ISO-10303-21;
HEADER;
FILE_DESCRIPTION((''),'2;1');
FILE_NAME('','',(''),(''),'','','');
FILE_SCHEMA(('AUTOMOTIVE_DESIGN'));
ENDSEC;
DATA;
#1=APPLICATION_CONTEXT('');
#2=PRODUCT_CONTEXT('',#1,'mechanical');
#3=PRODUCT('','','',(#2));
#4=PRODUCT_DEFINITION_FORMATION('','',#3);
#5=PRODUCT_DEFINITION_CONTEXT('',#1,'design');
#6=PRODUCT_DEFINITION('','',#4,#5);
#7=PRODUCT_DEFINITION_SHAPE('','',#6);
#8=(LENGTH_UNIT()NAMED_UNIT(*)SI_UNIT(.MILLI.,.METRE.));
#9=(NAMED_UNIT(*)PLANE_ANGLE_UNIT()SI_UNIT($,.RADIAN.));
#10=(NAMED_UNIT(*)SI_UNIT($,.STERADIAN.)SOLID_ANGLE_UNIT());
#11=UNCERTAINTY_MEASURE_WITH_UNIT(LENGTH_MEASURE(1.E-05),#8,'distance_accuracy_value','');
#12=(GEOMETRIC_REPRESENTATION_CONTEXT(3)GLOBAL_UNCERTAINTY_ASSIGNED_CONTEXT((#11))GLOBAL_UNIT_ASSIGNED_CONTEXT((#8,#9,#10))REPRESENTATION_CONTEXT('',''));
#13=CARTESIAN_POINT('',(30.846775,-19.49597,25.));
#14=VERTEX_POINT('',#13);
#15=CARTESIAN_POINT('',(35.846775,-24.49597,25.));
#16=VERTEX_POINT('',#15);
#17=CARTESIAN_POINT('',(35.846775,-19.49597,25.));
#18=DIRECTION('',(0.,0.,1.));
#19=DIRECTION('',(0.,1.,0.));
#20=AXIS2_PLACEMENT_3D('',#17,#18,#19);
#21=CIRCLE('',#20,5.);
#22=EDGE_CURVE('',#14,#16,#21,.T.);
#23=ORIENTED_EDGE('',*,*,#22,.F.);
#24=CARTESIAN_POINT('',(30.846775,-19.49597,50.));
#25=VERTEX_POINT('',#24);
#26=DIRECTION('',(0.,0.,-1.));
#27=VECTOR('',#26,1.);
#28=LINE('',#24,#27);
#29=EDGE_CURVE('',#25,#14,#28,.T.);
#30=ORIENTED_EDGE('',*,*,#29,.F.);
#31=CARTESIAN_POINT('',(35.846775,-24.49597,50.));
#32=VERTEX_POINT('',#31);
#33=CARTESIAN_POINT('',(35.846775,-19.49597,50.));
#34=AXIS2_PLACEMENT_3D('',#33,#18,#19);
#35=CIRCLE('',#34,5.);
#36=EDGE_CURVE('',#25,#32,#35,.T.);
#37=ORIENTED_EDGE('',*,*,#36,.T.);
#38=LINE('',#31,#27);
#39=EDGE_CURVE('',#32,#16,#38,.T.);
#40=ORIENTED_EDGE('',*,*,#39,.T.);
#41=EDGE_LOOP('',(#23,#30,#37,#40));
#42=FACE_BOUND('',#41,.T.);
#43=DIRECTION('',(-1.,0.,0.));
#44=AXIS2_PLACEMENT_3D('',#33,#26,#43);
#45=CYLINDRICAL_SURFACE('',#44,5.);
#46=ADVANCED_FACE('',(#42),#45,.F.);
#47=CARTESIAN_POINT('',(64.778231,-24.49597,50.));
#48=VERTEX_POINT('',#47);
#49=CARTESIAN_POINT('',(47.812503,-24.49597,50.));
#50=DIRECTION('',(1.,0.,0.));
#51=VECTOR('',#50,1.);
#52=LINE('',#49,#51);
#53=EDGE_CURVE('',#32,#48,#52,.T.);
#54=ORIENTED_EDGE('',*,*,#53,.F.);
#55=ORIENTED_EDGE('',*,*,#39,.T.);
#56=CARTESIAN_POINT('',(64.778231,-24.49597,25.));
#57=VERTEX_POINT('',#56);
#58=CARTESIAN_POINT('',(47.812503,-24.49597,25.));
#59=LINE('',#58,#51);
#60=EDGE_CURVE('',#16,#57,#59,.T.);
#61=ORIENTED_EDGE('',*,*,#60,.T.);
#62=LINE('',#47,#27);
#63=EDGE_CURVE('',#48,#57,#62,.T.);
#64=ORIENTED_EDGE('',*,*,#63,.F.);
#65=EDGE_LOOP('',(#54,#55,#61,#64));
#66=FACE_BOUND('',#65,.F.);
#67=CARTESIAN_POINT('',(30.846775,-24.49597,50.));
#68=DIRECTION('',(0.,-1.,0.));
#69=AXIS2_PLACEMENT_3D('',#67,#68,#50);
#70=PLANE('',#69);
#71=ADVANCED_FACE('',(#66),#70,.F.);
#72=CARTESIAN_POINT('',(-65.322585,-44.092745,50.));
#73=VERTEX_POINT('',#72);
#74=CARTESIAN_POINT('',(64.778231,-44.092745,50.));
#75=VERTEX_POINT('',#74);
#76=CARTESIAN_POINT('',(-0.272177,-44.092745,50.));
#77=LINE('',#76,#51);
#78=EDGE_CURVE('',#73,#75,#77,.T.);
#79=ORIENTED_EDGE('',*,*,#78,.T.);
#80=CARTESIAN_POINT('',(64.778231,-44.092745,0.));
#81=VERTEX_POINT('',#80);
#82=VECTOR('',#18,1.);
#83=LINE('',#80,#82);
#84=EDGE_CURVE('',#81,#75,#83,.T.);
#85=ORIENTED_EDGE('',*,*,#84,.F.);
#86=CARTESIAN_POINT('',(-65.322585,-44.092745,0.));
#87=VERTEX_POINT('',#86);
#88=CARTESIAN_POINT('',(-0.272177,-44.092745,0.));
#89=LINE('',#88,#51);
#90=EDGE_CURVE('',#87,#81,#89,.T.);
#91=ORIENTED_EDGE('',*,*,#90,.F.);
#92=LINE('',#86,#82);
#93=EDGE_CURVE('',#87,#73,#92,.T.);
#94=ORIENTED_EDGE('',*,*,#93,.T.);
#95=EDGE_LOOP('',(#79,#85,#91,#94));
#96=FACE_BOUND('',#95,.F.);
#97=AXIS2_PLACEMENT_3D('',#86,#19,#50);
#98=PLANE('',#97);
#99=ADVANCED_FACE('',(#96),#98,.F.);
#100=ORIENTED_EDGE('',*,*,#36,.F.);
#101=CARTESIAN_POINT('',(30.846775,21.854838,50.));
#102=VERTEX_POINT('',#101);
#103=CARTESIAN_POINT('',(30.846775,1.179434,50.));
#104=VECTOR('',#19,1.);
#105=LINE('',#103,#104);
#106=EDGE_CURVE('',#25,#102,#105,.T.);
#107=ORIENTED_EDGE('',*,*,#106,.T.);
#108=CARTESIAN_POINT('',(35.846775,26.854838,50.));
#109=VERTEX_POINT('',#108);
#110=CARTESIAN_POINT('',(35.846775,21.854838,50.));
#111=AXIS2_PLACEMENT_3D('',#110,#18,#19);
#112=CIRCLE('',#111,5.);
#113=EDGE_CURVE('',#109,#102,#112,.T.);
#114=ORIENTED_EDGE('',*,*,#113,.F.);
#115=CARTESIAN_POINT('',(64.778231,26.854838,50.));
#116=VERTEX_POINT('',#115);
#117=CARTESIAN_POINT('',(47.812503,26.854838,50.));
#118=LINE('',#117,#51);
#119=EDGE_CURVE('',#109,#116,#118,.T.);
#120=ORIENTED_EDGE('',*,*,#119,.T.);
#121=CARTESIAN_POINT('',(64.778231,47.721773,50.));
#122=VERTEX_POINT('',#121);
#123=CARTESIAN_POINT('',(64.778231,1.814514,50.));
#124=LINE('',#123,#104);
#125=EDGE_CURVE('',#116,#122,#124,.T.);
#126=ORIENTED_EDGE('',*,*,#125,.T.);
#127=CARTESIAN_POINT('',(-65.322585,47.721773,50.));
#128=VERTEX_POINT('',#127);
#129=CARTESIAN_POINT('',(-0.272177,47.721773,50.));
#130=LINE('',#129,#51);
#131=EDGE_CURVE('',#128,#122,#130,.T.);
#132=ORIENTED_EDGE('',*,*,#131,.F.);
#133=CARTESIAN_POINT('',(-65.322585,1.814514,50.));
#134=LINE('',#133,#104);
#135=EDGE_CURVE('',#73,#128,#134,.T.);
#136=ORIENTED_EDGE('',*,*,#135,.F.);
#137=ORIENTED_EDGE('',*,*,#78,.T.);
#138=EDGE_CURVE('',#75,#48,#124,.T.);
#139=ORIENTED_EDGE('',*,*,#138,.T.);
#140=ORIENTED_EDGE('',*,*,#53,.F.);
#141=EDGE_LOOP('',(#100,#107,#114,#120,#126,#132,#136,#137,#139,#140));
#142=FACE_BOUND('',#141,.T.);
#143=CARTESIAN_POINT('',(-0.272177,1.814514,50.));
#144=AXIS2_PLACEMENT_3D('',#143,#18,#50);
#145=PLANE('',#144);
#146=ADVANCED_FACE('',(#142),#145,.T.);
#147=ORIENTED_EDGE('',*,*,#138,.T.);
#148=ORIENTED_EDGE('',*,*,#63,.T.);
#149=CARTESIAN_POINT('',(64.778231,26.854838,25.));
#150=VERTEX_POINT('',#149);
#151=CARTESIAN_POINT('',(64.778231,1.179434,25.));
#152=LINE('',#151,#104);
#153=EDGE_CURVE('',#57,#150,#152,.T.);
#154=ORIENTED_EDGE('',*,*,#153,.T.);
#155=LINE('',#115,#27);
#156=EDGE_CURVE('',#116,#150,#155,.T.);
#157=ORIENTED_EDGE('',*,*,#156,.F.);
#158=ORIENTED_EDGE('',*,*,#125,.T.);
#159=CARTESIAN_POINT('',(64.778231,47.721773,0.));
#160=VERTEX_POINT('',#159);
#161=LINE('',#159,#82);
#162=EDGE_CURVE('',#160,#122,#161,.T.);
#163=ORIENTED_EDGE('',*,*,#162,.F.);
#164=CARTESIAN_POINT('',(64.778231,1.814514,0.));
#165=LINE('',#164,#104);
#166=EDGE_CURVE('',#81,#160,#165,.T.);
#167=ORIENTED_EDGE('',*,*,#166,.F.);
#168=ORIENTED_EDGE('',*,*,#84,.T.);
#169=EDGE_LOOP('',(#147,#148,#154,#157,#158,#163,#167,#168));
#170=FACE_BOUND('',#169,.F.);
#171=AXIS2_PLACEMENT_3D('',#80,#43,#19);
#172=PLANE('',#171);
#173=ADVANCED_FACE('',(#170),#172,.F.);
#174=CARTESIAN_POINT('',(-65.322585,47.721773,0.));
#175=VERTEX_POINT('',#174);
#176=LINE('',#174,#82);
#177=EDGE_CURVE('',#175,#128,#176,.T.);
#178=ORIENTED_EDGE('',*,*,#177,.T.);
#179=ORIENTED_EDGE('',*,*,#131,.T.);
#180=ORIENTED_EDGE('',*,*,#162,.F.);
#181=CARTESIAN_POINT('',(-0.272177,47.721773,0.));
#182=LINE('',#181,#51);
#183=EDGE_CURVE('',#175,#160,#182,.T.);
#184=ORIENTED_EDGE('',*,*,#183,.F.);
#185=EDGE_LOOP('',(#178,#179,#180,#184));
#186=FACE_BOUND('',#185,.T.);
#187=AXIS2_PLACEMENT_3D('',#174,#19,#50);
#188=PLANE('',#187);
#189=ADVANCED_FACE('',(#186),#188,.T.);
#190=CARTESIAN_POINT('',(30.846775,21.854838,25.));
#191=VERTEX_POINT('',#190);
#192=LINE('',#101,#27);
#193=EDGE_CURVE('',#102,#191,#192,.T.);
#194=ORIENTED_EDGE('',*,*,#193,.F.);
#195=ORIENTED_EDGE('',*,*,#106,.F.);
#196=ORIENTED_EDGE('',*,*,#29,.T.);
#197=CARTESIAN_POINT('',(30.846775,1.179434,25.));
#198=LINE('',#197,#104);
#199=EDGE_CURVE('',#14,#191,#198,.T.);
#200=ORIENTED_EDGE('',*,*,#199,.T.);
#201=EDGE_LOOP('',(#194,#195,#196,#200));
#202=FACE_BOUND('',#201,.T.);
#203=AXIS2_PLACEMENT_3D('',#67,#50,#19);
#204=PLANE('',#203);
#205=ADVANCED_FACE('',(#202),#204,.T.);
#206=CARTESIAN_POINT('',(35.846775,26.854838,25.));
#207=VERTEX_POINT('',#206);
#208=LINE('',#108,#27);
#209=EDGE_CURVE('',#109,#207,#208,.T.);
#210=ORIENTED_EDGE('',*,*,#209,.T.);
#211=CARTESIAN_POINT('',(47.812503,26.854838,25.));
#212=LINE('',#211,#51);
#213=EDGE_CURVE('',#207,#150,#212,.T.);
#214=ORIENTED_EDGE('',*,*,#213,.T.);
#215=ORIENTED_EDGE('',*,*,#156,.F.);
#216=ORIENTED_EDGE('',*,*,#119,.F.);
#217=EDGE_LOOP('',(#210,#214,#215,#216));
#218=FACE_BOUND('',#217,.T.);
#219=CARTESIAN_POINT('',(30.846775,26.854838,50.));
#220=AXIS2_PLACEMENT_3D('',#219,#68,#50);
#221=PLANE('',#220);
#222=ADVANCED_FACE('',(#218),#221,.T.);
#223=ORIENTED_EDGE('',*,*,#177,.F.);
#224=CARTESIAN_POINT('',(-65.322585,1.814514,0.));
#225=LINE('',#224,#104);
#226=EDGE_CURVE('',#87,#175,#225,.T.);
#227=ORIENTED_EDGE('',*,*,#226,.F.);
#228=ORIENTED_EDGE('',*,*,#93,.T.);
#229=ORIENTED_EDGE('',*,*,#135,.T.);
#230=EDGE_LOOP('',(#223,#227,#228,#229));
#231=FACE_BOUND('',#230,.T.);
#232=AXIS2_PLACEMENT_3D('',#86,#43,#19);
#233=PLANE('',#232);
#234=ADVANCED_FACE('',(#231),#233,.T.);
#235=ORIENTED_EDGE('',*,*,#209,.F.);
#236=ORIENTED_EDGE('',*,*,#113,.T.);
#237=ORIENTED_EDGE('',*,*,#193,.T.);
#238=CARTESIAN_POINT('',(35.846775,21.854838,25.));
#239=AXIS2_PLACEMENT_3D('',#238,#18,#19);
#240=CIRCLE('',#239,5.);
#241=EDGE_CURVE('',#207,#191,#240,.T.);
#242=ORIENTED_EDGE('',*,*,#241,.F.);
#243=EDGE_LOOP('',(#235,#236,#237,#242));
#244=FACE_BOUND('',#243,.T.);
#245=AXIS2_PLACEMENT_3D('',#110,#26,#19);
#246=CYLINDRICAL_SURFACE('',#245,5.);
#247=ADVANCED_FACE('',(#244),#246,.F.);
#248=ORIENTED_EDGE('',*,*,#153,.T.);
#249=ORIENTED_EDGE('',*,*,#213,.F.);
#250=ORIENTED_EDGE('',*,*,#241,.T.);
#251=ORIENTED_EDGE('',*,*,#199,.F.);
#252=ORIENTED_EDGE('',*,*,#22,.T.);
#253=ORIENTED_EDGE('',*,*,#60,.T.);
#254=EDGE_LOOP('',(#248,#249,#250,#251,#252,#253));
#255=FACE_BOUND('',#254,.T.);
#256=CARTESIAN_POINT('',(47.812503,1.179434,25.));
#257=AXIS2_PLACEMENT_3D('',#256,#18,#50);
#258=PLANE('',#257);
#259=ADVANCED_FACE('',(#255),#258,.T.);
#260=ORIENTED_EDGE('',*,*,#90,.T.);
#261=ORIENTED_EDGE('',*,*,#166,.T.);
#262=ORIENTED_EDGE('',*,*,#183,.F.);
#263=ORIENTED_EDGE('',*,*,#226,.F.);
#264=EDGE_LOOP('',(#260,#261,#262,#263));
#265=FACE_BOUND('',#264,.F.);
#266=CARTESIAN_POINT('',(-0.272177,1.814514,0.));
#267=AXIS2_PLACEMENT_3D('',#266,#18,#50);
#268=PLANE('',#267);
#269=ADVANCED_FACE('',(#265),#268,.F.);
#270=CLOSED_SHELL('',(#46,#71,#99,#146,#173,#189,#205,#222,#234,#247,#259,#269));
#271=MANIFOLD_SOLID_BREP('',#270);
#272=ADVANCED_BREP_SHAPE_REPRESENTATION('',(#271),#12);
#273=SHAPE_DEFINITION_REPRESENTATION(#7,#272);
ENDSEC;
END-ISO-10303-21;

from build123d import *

# Parameters (mm, degrees)
F0_W     = 130.100816
F0_H     = 91.814518
F1_DEPTH = 50
F2_W     = 33.931456
F2_H     = 51.350809
F3_DEPTH = 25
F4_R     = 5


with BuildPart() as f1:
    # F0 (on Top) → F1 (new body)
    with BuildSketch(Plane.XY):
        with Locations((-0.272177, 1.814514)):
            Rectangle(F0_W, F0_H)
    extrude(amount=F1_DEPTH)

    # F2 (on face) → F3 (cut)
    with BuildSketch(Plane.XY.offset(50)):
        with Locations((47.812503, 1.179434)):
            Rectangle(F2_W, F2_H)
    extrude(amount=-F3_DEPTH, mode=Mode.SUBTRACT)

    # F4
    f4_edges = [f1.edges().sort_by_distance(p)[0] for p in [
        (30.846775, 26.854839, 37.5),
        (30.846775, -24.49597, 37.5),
    ]]
    fillet(f4_edges, radius=F4_R)


solid = f1.part
